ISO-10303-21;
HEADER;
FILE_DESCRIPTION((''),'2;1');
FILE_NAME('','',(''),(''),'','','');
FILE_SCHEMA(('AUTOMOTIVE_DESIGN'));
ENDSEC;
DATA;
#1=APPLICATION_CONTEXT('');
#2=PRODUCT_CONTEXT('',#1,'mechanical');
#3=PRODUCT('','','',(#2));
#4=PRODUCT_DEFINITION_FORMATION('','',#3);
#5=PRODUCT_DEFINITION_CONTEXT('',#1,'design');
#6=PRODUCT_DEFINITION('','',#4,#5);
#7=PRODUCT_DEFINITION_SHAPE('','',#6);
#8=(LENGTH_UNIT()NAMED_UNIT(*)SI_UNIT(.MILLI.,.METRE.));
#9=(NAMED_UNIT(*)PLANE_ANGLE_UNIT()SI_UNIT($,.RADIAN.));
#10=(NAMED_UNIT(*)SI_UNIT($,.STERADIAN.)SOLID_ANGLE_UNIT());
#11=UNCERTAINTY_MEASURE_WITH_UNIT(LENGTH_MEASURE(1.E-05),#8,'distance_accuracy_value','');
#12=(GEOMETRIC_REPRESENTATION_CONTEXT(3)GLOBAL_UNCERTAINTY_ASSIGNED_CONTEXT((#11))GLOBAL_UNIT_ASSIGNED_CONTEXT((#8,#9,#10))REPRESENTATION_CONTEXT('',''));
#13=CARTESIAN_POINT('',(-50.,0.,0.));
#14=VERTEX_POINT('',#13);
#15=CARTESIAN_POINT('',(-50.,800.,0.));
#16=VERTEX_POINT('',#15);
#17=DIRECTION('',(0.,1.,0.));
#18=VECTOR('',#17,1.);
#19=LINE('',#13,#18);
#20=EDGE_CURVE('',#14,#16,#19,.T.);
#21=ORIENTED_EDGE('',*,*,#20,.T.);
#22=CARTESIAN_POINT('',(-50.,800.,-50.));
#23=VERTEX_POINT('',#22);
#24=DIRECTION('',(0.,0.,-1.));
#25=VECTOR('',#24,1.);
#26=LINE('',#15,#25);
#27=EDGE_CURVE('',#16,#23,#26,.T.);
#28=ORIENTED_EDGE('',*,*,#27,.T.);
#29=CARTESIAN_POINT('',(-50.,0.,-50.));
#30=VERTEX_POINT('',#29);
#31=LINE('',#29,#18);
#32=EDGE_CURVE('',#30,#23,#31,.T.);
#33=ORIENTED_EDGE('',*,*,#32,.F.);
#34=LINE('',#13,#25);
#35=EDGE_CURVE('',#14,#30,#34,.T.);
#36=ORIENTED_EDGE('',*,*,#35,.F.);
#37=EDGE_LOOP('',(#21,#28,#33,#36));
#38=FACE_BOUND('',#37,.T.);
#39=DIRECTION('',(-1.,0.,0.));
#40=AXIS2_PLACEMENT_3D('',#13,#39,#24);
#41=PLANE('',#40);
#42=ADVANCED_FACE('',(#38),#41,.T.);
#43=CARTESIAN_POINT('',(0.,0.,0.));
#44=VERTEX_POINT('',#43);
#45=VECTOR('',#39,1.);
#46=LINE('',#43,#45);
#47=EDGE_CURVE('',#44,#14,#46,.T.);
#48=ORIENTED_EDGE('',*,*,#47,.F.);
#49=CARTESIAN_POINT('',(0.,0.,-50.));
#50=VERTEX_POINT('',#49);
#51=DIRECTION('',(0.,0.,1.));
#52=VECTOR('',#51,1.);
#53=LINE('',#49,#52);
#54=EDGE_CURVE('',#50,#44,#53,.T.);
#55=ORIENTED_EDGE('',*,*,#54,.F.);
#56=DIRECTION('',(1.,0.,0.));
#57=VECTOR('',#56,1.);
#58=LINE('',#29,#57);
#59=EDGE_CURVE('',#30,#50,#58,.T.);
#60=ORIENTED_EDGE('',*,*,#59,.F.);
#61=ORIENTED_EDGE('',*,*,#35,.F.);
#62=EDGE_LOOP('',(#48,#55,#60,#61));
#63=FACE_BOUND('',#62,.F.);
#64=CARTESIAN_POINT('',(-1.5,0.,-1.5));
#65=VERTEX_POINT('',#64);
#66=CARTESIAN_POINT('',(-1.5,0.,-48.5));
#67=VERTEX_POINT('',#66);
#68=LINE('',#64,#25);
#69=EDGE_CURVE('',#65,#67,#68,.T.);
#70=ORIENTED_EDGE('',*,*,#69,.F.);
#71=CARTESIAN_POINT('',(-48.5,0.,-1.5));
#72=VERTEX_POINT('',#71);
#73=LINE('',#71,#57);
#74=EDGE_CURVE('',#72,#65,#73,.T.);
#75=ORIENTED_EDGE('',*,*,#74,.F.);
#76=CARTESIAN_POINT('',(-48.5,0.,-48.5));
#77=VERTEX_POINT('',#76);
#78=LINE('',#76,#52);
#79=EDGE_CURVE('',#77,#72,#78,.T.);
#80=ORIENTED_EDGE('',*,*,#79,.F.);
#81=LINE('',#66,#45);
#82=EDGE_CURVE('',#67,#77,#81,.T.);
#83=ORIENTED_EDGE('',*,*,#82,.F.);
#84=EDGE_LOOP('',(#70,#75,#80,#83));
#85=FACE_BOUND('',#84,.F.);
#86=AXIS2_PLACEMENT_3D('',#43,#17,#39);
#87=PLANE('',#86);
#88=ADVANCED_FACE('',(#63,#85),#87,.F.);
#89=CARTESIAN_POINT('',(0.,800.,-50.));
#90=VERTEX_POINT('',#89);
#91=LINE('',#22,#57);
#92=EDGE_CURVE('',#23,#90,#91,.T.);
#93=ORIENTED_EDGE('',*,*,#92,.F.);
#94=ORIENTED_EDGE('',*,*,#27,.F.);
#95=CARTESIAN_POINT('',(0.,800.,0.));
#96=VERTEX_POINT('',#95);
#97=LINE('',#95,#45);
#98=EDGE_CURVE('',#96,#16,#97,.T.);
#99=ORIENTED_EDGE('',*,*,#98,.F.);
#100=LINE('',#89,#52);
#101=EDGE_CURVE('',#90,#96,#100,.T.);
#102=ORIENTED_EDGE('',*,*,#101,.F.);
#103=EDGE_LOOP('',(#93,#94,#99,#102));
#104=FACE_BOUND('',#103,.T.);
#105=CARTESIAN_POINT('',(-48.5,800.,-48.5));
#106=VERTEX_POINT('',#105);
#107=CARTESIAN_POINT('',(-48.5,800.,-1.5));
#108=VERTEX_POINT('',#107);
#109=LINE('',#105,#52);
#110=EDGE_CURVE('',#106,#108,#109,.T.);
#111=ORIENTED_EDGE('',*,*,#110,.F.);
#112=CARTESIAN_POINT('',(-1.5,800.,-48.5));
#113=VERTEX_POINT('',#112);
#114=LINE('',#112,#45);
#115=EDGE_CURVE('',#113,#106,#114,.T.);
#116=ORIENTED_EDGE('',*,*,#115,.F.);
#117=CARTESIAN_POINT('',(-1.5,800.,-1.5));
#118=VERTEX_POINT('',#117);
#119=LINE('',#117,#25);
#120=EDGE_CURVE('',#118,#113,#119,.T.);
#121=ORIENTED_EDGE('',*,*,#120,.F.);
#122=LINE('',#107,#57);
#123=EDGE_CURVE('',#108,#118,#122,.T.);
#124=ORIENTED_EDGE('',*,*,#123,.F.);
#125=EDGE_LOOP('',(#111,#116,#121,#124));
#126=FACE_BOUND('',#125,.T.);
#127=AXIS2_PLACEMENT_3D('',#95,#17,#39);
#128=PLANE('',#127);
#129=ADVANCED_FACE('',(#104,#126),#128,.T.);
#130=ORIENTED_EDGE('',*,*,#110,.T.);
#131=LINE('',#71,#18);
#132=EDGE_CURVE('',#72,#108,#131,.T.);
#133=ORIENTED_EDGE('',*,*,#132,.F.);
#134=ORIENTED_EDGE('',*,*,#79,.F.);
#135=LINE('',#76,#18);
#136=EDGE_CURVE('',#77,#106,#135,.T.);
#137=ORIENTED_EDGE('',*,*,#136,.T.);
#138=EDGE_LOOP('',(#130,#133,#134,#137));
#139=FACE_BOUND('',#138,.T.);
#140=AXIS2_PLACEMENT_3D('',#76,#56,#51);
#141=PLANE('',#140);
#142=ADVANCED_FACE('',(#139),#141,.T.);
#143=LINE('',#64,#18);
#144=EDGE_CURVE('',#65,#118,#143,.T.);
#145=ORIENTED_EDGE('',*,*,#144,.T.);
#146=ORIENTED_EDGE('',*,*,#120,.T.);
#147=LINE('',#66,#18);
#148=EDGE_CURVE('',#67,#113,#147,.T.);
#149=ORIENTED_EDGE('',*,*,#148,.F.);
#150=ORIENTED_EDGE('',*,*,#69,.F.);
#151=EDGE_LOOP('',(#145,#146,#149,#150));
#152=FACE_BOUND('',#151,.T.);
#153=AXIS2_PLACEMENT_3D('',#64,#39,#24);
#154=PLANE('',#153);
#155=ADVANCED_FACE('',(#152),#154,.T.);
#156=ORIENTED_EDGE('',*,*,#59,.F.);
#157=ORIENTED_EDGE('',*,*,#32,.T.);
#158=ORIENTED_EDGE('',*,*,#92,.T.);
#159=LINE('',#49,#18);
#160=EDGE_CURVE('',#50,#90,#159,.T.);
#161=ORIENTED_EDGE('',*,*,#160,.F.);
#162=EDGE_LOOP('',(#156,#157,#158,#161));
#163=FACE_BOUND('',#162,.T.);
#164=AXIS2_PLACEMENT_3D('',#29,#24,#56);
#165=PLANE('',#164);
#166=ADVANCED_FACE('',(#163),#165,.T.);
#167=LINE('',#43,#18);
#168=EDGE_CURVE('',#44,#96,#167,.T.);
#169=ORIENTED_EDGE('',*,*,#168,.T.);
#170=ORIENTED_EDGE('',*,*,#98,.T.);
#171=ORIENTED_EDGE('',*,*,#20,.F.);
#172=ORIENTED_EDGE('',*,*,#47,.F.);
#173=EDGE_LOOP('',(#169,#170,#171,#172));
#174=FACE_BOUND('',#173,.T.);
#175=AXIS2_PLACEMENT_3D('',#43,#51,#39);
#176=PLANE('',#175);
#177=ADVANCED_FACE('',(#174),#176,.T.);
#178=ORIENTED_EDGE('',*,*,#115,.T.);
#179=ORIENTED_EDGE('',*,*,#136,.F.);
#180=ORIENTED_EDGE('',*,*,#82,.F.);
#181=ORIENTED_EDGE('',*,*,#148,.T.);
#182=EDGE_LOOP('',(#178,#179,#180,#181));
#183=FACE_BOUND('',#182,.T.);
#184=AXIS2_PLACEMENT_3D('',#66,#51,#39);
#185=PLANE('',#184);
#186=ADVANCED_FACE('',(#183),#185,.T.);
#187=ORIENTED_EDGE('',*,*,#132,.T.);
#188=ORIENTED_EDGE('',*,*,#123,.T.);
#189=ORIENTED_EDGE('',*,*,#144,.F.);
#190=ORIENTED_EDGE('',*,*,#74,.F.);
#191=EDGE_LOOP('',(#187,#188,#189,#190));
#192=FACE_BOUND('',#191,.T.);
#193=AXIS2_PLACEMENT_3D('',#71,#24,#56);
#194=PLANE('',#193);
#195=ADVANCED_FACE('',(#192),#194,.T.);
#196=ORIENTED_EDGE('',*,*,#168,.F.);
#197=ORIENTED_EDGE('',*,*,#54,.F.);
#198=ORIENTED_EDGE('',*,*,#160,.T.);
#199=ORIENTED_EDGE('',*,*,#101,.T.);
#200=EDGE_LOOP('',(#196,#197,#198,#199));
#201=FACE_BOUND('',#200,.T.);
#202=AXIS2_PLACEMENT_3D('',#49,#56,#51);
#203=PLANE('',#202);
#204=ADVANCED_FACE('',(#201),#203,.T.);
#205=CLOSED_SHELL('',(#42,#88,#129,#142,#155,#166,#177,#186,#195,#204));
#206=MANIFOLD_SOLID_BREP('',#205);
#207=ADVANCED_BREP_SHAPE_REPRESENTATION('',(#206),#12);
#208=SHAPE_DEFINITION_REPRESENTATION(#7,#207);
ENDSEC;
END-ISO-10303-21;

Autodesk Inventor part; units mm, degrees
ref_plane "YZ Plane" through (0, 0, 0) normal (1, 0, 0) x (0, 1, 0)
ref_plane "XZ Plane" through (0, 0, 0) normal (0, 1, 0) x (-1, 0, 0)
ref_plane "XY Plane" through (0, 0, 0) normal (0, 0, 1) x (1, 0, 0)
sketch "Boceto1" plane through (0, 0, 0) normal (0, 1, 0) x (-1, 0, 0)
  line L0 (0, 0) -> (50, 0)
  line L1 (50, 0) -> (50, -50)
  line L2 (50, -50) -> (0, -50)
  line L3 (0, -50) -> (0, 0)
  line L4 (1.5, -48.5) -> (48.5, -48.5)
  line L5 (48.5, -48.5) -> (48.5, -1.5)
  line L6 (48.5, -1.5) -> (1.5, -1.5)
  line L7 (1.5, -1.5) -> (1.5, -48.5)
  line L8 (1.5, -48.5) -> (48.5, -1.5) construction
  line L9 (48.5, -48.5) -> (1.5, -1.5) construction
  point P0 (25, -25)
  dimension "d0" = 50
  dimension "d1" = 50
  dimension "d6" = 1.5
  dimension "d7" = 1.5
  dimension "d8" = 1.5
  dimension "d9" = 1.5
extrude "Extrusión1" add sketch "Boceto1" along normal blind 800
equation "\"d0\" = d1"
equation "\"d7\" = d6"
equation "\"d8\" = d6"
equation "\"d9\" = d6"
properties part number "Mesa_soporte1"
